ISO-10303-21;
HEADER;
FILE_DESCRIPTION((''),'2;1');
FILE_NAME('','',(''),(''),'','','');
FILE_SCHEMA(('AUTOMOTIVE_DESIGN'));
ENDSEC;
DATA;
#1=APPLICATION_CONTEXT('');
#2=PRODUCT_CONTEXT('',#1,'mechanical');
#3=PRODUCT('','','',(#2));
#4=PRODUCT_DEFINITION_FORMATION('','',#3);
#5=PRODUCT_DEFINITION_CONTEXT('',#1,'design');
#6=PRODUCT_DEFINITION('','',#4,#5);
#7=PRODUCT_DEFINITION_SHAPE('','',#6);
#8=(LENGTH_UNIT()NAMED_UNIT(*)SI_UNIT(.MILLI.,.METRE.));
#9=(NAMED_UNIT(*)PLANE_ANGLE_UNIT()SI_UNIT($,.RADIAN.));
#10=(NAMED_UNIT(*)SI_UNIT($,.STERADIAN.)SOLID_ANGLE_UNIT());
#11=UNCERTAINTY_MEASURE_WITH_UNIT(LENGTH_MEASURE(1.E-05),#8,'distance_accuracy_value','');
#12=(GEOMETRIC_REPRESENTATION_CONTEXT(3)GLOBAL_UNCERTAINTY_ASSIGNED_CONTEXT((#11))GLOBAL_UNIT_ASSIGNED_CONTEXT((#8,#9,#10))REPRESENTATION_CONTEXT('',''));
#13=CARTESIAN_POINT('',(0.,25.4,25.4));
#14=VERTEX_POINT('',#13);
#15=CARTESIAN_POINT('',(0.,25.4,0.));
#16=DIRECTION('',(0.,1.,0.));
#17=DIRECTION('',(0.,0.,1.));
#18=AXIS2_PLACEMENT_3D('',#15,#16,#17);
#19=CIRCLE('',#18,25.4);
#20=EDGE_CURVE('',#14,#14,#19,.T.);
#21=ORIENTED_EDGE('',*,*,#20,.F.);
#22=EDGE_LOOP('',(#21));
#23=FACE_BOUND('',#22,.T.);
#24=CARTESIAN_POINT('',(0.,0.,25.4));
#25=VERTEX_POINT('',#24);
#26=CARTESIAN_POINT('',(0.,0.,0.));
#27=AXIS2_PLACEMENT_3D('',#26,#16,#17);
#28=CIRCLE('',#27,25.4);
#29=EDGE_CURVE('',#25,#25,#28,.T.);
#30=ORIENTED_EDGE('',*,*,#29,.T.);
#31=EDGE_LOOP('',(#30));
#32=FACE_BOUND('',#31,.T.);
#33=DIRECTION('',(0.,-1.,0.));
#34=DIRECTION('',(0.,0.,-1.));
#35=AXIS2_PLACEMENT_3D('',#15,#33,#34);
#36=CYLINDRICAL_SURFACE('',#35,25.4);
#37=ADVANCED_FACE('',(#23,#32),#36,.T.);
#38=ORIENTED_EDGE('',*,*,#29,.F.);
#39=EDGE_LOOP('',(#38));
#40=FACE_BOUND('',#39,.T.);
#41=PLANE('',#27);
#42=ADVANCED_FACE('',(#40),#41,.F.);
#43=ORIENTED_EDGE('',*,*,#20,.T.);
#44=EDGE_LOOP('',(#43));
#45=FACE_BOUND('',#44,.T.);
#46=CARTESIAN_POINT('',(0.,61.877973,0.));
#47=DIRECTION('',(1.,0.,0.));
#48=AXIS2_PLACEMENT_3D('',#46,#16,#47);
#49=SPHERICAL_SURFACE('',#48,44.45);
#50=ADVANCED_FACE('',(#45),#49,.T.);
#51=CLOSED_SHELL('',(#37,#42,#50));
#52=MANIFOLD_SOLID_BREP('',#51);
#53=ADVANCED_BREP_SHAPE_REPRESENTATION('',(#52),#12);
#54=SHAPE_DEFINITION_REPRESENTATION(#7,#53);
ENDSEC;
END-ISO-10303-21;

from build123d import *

# Parameters (mm, degrees)
SKETCH1_R           = 25.4
BOSS_EXTRUDE1_DEPTH = 25.4


with BuildPart() as part:
    # Sketch1 → Boss-Extrude1 (new body)
    with BuildSketch(Plane(origin=(0, 0, 0), x_dir=(1, 0, 0), z_dir=(0, 1, 0))):
        with Locations(Location((0, 0, 0), (0, 0, 270))):
            Circle(SKETCH1_R)
    extrude(amount=BOSS_EXTRUDE1_DEPTH)

    # Sketch2 one side → Revolve1 (revolve)
    with BuildSketch(Plane.XY):
        with BuildLine():
            Line((25.4, 25.4), (0, 25.4))
            Line((0, 25.4), (0, 17.427972806))
            ThreePointArc((0, 17.427972806), (13.310834098, 19.467783044), (25.4, 25.4))
        make_face()
        with BuildLine():
            ThreePointArc((44.45, 61.877972806), (31.430896424, 93.308869229), (0, 106.327972806))
            Line((0, 106.327972806), (0, 25.4))
            Line((0, 25.4), (25.4, 25.4))
            ThreePointArc((25.4, 25.4), (39.400713826, 41.301621088), (44.45, 61.877972806))
        make_face()
    revolve(axis=Axis((0, 145.460296173, 0), (0, -1, 0)))


solid = part.part
